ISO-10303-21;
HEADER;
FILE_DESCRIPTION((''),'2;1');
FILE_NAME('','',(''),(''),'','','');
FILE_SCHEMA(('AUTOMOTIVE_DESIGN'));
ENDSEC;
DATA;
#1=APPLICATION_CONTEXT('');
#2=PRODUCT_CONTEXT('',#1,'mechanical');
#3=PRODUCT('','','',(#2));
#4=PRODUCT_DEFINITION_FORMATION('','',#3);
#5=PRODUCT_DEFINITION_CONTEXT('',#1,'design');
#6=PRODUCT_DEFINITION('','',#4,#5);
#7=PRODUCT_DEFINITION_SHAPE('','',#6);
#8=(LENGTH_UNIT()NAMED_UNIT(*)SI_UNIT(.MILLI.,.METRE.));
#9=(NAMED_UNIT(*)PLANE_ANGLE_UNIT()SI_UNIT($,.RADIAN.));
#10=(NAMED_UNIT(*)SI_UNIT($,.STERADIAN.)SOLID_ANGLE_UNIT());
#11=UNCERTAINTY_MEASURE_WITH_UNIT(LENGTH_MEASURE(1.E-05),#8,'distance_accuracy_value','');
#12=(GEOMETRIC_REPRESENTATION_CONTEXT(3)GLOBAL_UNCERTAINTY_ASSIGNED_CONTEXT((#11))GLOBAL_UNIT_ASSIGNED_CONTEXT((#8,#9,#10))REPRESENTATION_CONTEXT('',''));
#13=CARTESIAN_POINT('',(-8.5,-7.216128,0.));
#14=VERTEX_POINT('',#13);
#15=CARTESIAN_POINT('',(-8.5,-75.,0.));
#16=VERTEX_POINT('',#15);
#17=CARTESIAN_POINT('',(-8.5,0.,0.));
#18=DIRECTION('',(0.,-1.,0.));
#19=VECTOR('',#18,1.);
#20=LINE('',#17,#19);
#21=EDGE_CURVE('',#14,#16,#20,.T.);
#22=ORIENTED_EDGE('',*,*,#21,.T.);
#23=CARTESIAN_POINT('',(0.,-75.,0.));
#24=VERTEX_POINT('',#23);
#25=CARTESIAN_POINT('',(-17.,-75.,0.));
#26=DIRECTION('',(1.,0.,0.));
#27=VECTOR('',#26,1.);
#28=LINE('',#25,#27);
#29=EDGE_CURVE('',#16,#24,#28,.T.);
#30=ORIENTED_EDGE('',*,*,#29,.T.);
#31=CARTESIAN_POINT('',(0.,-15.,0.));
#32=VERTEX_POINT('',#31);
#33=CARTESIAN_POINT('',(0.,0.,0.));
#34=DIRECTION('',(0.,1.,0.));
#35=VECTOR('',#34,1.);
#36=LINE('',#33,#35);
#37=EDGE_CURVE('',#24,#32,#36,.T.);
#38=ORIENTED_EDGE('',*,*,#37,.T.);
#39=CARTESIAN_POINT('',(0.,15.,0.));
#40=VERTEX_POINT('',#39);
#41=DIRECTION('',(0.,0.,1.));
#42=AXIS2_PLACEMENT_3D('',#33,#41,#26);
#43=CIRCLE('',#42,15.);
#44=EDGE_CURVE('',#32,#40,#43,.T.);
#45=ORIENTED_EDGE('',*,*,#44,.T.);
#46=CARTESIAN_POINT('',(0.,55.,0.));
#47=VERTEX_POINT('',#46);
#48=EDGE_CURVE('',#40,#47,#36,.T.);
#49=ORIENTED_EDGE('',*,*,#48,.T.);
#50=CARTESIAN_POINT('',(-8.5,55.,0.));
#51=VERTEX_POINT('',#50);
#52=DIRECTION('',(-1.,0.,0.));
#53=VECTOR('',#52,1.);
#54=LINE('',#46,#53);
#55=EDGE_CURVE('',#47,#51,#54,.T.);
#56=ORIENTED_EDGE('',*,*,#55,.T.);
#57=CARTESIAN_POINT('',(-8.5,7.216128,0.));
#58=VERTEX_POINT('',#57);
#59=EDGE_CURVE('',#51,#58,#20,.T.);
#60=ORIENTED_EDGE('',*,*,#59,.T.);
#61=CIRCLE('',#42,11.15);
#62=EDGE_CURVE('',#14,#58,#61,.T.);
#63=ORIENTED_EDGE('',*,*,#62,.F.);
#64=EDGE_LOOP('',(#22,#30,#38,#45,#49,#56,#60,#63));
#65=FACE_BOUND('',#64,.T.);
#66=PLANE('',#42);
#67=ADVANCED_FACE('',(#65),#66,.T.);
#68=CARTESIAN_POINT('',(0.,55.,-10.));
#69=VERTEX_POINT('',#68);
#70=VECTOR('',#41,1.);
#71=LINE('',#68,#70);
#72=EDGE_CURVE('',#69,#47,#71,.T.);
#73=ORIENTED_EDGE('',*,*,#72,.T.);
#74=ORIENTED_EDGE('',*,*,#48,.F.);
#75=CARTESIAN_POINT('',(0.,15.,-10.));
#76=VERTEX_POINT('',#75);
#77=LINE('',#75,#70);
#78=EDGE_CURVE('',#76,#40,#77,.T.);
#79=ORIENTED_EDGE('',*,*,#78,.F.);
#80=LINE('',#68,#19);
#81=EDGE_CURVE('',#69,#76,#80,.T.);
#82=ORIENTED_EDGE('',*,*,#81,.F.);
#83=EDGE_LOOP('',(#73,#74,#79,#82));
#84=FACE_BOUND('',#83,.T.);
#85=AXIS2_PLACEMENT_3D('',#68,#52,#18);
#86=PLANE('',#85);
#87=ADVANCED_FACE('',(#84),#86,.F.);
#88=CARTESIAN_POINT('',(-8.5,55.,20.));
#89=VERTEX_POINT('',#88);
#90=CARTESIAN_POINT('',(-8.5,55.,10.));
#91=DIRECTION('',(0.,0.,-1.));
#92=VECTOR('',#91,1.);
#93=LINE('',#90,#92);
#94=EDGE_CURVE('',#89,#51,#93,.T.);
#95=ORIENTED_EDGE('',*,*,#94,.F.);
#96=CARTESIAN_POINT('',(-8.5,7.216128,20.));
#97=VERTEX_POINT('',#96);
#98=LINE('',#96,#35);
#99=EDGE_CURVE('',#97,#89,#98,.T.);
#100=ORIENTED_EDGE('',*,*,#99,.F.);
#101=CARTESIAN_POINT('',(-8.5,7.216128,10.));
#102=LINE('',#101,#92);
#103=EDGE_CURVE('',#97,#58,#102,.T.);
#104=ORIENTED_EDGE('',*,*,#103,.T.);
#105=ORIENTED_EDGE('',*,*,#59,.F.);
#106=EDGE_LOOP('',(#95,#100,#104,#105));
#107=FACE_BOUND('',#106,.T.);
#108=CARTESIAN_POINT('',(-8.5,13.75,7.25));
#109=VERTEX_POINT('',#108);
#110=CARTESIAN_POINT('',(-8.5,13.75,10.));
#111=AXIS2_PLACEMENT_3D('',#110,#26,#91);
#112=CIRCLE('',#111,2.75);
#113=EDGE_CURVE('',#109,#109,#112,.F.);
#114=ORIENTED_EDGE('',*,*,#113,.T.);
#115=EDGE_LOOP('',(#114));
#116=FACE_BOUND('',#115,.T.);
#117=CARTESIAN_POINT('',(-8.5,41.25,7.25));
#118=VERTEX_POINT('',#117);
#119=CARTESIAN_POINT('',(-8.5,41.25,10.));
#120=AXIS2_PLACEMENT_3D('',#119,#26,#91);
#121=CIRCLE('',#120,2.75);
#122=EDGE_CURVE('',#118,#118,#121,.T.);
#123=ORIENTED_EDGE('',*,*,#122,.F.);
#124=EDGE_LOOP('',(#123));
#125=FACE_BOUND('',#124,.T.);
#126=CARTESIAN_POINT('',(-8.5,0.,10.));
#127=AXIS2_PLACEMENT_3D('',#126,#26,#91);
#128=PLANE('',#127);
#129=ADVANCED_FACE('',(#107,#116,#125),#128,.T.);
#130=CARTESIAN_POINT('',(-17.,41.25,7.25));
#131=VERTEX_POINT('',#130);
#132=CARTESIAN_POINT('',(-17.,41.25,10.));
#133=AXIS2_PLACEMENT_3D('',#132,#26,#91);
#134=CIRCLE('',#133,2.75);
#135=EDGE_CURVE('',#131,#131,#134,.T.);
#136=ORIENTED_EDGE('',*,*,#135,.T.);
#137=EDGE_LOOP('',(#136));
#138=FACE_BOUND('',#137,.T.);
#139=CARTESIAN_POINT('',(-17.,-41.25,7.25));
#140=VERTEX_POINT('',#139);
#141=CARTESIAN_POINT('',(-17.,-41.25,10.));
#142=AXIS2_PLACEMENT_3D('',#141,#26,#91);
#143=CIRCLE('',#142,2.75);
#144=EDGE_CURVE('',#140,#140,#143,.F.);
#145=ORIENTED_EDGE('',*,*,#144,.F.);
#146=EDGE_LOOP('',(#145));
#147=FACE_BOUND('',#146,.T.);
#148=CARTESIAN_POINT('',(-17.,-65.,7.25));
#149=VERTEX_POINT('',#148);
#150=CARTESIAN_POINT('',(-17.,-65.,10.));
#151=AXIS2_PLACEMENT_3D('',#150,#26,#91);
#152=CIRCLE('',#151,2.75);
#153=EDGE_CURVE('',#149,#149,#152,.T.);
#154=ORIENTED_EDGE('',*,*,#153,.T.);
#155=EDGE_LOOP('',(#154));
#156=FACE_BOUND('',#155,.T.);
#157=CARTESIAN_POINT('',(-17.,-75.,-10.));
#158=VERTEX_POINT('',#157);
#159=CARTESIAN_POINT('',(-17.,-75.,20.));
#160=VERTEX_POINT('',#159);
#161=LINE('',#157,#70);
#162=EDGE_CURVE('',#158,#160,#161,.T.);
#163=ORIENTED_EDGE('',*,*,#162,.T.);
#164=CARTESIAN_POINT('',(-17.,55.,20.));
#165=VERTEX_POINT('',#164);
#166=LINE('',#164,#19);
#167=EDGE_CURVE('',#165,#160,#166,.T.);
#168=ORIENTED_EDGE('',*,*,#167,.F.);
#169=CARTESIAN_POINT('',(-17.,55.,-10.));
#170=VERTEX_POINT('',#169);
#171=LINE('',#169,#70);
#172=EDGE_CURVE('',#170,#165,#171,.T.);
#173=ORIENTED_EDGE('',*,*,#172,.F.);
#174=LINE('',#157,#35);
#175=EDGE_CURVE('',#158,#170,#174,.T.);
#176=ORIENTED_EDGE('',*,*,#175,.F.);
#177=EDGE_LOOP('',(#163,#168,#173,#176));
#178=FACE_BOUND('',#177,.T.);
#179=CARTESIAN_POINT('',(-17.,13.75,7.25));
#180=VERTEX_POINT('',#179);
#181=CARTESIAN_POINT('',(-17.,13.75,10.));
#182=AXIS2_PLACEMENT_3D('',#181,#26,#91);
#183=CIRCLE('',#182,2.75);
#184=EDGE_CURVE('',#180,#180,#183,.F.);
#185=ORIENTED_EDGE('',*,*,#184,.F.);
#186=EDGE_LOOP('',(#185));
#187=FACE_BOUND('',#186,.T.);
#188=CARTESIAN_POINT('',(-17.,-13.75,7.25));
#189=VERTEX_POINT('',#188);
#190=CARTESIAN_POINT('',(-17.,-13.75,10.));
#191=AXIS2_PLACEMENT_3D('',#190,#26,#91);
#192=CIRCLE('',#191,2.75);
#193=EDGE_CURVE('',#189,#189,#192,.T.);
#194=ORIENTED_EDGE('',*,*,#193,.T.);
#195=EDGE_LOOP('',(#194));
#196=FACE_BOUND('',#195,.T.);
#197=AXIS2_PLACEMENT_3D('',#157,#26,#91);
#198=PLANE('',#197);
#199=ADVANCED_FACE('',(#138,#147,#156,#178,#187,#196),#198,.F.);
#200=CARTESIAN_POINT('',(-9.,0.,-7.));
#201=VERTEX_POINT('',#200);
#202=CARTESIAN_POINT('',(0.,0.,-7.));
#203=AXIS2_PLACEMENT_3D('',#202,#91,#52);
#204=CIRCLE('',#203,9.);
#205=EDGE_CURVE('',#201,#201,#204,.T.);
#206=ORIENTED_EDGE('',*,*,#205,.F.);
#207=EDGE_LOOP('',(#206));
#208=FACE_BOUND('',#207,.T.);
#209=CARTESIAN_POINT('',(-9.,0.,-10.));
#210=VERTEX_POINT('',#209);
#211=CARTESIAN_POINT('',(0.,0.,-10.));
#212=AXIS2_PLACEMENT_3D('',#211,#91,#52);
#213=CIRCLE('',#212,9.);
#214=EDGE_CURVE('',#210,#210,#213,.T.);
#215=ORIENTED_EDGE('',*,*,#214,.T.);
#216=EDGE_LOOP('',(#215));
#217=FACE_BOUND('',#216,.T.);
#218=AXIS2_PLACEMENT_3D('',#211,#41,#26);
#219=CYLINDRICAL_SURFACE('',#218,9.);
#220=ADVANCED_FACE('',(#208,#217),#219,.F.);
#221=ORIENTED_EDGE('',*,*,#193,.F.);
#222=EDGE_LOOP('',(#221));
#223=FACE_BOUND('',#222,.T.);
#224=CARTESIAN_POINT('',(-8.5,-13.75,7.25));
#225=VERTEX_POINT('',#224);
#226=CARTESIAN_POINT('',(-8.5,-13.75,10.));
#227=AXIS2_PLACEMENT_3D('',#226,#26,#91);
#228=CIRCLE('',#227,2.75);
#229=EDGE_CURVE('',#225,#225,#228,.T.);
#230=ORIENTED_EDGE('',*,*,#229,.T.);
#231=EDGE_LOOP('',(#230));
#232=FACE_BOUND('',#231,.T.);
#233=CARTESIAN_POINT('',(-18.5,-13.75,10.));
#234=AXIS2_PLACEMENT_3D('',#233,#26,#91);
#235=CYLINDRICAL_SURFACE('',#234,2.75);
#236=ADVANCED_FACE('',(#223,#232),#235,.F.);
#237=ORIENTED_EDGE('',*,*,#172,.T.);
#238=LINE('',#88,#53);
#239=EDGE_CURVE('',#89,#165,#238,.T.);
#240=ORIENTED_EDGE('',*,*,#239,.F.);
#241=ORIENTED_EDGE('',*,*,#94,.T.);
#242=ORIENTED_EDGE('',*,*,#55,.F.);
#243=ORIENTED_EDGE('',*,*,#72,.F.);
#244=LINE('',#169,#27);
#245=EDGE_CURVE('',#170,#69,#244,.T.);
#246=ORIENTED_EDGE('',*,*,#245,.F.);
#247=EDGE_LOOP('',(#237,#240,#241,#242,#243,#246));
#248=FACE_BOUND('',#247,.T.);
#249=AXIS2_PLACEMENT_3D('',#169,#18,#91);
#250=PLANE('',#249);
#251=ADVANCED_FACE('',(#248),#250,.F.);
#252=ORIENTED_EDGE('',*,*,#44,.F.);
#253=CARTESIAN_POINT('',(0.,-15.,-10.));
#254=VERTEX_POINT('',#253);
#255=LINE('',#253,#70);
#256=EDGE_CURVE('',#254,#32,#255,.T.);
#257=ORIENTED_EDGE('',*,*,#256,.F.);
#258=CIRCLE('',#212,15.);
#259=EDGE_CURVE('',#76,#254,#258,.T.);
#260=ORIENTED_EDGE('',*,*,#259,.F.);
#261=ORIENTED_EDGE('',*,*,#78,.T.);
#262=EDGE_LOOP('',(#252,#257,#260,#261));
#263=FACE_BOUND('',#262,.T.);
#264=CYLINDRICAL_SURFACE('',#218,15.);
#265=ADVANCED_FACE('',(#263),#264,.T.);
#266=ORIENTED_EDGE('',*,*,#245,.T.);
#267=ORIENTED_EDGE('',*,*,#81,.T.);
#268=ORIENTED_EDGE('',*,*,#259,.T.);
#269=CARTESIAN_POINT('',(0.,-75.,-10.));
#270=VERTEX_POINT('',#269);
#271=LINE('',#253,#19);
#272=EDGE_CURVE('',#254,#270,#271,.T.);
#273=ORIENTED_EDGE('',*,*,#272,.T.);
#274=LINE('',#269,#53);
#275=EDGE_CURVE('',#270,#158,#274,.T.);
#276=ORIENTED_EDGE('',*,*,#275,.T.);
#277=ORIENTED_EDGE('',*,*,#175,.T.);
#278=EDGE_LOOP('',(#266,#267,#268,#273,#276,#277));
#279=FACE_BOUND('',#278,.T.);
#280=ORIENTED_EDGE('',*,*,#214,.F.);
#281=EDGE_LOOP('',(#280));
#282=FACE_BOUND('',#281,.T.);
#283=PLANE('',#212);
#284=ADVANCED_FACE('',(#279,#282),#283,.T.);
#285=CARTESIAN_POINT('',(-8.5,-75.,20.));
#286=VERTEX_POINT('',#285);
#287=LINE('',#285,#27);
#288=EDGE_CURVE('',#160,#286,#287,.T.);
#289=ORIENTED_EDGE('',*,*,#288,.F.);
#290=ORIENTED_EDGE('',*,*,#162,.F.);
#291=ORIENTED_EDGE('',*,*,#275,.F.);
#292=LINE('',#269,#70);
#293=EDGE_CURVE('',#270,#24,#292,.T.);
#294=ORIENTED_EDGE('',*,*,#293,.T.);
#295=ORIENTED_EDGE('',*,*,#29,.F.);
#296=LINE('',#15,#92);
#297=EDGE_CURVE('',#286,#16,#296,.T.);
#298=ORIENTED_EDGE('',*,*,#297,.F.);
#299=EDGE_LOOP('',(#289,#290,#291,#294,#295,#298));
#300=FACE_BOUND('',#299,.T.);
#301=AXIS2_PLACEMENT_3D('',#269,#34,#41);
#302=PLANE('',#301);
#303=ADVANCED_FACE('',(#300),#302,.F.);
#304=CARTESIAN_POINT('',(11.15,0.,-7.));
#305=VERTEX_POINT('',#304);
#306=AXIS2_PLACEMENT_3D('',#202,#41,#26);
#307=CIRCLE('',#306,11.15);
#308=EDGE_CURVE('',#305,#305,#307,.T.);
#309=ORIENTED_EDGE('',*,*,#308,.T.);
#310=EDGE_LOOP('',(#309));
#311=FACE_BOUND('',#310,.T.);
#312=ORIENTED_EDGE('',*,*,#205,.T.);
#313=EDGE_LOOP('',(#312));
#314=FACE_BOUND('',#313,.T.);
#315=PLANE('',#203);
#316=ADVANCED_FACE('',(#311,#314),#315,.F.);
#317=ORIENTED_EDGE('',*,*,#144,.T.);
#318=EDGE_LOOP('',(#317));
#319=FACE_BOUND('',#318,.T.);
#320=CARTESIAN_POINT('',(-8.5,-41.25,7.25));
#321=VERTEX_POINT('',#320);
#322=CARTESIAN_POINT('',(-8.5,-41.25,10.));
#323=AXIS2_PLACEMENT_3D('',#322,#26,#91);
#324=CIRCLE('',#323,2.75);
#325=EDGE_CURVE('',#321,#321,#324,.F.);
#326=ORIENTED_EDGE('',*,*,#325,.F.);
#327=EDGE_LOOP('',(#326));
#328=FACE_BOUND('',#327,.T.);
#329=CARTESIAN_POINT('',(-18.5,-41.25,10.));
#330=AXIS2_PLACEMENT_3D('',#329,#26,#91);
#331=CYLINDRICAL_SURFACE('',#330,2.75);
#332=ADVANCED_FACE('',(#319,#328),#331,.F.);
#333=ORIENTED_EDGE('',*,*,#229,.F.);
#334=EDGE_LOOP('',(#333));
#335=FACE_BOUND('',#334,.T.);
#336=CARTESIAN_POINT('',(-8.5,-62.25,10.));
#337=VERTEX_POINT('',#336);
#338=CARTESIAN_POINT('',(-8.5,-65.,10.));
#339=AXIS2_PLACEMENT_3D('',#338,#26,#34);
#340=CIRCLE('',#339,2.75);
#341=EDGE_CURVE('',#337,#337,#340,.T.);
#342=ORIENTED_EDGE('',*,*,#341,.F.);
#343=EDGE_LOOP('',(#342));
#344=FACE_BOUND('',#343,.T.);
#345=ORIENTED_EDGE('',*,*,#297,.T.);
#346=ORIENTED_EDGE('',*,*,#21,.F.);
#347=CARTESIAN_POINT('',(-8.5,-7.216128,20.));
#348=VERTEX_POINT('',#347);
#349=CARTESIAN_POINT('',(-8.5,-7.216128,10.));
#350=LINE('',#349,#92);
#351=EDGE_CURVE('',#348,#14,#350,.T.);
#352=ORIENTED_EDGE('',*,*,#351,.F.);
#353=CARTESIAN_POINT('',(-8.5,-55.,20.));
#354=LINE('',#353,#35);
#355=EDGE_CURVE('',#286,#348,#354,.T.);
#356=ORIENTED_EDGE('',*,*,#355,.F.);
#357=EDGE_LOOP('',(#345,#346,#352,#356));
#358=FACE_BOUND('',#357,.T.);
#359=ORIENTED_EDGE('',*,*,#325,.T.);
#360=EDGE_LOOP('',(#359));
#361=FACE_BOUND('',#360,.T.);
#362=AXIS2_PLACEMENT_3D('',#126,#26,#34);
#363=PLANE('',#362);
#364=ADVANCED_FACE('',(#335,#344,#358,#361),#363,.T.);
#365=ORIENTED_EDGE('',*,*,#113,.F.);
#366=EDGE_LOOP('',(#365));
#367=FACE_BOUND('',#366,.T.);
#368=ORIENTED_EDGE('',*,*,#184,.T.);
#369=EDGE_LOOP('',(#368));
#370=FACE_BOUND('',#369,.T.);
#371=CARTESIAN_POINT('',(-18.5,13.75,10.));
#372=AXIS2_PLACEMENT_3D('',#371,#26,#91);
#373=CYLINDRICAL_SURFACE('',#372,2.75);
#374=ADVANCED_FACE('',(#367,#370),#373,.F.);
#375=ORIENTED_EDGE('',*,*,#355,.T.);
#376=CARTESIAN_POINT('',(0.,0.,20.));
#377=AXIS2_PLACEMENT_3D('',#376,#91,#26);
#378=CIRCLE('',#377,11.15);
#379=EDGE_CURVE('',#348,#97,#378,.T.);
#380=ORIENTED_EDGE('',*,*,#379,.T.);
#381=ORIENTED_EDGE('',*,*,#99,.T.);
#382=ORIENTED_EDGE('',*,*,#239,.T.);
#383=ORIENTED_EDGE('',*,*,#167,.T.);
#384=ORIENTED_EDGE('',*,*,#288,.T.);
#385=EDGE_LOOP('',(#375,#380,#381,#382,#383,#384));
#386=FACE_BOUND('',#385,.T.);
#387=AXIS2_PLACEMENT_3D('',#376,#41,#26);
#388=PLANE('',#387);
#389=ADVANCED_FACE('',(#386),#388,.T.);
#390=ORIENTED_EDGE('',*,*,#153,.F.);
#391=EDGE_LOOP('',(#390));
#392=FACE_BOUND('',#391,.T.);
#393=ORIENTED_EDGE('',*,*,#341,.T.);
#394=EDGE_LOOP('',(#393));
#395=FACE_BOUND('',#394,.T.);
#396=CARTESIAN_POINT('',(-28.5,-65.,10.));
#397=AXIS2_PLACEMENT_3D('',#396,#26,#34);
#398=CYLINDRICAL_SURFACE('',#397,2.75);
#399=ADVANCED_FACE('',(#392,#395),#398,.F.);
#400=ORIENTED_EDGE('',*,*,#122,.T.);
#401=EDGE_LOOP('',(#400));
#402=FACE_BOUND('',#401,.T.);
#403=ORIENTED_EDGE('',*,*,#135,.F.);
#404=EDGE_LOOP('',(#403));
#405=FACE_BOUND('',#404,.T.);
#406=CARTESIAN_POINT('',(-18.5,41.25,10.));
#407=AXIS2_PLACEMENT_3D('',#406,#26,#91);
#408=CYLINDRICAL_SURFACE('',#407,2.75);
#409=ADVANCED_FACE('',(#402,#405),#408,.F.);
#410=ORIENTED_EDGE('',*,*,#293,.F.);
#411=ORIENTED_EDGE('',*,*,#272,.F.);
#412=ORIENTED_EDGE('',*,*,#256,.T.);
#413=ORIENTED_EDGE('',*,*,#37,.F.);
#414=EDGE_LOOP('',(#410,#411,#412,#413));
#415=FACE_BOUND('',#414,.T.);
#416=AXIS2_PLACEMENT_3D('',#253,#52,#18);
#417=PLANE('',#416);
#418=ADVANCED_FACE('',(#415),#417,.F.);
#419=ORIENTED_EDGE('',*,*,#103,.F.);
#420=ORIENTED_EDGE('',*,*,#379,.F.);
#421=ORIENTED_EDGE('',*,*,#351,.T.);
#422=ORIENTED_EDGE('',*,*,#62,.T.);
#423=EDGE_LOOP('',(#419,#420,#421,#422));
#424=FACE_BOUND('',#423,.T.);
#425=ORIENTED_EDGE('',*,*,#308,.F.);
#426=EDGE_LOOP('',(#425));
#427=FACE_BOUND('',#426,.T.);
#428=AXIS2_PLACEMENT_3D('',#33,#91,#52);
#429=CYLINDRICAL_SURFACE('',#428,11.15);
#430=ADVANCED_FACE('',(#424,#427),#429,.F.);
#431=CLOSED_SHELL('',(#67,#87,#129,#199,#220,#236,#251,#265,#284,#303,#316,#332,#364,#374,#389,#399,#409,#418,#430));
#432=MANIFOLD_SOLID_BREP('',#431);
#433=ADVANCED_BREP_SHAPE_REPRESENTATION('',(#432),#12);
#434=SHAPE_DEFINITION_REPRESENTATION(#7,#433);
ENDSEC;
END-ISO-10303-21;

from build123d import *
from build123d.topology import SkipClean

# Parameters (mm, degrees)
SKETCH4_R           = 9
BOSS_EXTRUDE1_DEPTH = 3
BOSS_EXTRUDE3_START = 7
SKETCH5_R           = 11.15
BOSS_EXTRUDE3_DEPTH = 7
BOSS_EXTRUDE4_START = 10
BOSS_EXTRUDE4_DEPTH = 10
BOSS_EXTRUDE5_START = 10
BOSS_EXTRUDE5_DEPTH = 10
SKETCH8_R           = 2.75
CUT_EXTRUDE2_DEPTH  = 10
SKETCH10_W          = 17
SKETCH10_H          = 20
BOSS_EXTRUDE7_DEPTH = 7
SKETCH11_W          = 8.5
SKETCH11_H          = 20
BOSS_EXTRUDE8_DEPTH = 20
SKETCH12_R          = 2.75
CUT_EXTRUDE3_DEPTH  = 20


with BuildPart() as part:
    # Sketch4 → Boss-Extrude1 (new body)
    with BuildSketch(Plane(origin=(0, 0, -7), x_dir=(-1, 0, 0), z_dir=(0, 0, -1))):
        with BuildLine():
            Line((0, 55), (0, 15))
            ThreePointArc((0, 15), (-15, 0), (0, -15))
            Line((0, -15), (0, -75))
            Line((0, -75), (17, -75))
            Line((17, -75), (17, 55))
            Line((17, 55), (0, 55))
        make_face()
        Circle(SKETCH4_R, mode=Mode.SUBTRACT)
    extrude(amount=BOSS_EXTRUDE1_DEPTH)

    # Sketch5 → Boss-Extrude3 (add)
    with BuildSketch(Plane.XY.offset(-7).offset(BOSS_EXTRUDE3_START)):
        with BuildLine():
            Line((0, -55), (0, -15))
            ThreePointArc((0, -15), (15, 0), (0, 15))
            Line((0, 15), (0, 55))
            Line((0, 55), (-17, 55))
            Line((-17, 55), (-17, -55))
            Line((-17, -55), (0, -55))
        make_face()
        Circle(SKETCH5_R, mode=Mode.SUBTRACT)
    extrude(amount=-BOSS_EXTRUDE3_DEPTH)

    # Sketch6 → Boss-Extrude4 (add)
    with SkipClean():  # the faces are left unmerged after this step: merging them gives an invalid solid
        with BuildSketch(Plane.XY.offset(BOSS_EXTRUDE4_START)):
            with BuildLine():
                Line((-8.5, 7.21612777), (-8.5, 15))
                Line((-8.5, 15), (-8.5, 55))
                Line((-8.5, 55), (-17, 55))
                Line((-17, 55), (-17, -55))
                Line((-17, -55), (-8.5, -55))
                Line((-8.5, -55), (-8.5, -16.073942755))
                Line((-8.5, -16.073942755), (-8.5, -15))
                Line((-8.5, -15), (-8.5, -7.21612777))
                ThreePointArc((-8.5, -7.21612777), (-11.15, 0), (-8.5, 7.21612777))
            make_face()
        extrude(amount=-BOSS_EXTRUDE4_DEPTH)

    # Sketch7 → Boss-Extrude5 (add)
    with SkipClean():  # the faces are left unmerged after this step: merging them gives an invalid solid
        with BuildSketch(Plane.XY.offset(10).offset(BOSS_EXTRUDE5_START)):
            with BuildLine():
                Line((-8.5, 7.21612777), (-8.5, 55))
                Line((-8.5, 55), (-17, 55))
                Line((-17, 55), (-17, -55))
                Line((-17, -55), (-8.5, -55))
                Line((-8.5, -55), (-8.5, -7.21612777))
                ThreePointArc((-8.5, -7.21612777), (-11.15, 0), (-8.5, 7.21612777))
            make_face()
        extrude(amount=-BOSS_EXTRUDE5_DEPTH)

    # Sketch8 → Cut-Extrude2 (cut)
    with SkipClean():  # the faces are left unmerged after this step: merging them gives an invalid solid
        with BuildSketch(Plane(origin=(-8.5, 0, 0), x_dir=(0, 0, -1), z_dir=(1, 0, 0))):
            with BuildLine():
                ThreePointArc((-7.25, 41.25), (-8.055456352, 43.194543648), (-10, 44))
                Line((-10, 44), (-10, 38.5))
                ThreePointArc((-10, 38.5), (-8.055456352, 39.305456352), (-7.25, 41.25))
            make_face()
            with BuildLine():
                Line((-10, 38.5), (-10, 44))
                ThreePointArc((-10, 44), (-12.75, 41.25), (-10, 38.5))
            make_face()
            with Locations((-10, 13.75)):
                Circle(SKETCH8_R)
            with Locations((-10, -13.75)):
                Circle(SKETCH8_R)
            with Locations((-10, -41.25)):
                Circle(SKETCH8_R)
        extrude(amount=-CUT_EXTRUDE2_DEPTH, mode=Mode.SUBTRACT)

    # Sketch10 → Boss-Extrude7 (add)
    with SkipClean():  # the faces are left unmerged after this step: merging them gives an invalid solid
        with BuildSketch(Plane.XY.offset(-7)):
            with Locations((-8.5, -65)):
                Rectangle(SKETCH10_W, SKETCH10_H)
        extrude(amount=BOSS_EXTRUDE7_DEPTH)

    # Sketch11 → Boss-Extrude8 (add)
    with SkipClean():  # the faces are left unmerged after this step: merging them gives an invalid solid
        with BuildSketch(Plane.XZ.offset(55)):
            with Locations((-12.75, 10)):
                Rectangle(SKETCH11_W, SKETCH11_H)
        extrude(amount=BOSS_EXTRUDE8_DEPTH)

    # Sketch12 → Cut-Extrude3 (cut)
    with SkipClean():  # the faces are left unmerged after this step: merging them gives an invalid solid
        with BuildSketch(Plane(origin=(-8.5, 0, 0), x_dir=(0, 0, -1), z_dir=(1, 0, 0))):
            with Locations(Location((-10, -65, 0), (0, 0, 90))):
                Circle(SKETCH12_R)
        extrude(amount=-CUT_EXTRUDE3_DEPTH, mode=Mode.SUBTRACT)


solid = part.part
